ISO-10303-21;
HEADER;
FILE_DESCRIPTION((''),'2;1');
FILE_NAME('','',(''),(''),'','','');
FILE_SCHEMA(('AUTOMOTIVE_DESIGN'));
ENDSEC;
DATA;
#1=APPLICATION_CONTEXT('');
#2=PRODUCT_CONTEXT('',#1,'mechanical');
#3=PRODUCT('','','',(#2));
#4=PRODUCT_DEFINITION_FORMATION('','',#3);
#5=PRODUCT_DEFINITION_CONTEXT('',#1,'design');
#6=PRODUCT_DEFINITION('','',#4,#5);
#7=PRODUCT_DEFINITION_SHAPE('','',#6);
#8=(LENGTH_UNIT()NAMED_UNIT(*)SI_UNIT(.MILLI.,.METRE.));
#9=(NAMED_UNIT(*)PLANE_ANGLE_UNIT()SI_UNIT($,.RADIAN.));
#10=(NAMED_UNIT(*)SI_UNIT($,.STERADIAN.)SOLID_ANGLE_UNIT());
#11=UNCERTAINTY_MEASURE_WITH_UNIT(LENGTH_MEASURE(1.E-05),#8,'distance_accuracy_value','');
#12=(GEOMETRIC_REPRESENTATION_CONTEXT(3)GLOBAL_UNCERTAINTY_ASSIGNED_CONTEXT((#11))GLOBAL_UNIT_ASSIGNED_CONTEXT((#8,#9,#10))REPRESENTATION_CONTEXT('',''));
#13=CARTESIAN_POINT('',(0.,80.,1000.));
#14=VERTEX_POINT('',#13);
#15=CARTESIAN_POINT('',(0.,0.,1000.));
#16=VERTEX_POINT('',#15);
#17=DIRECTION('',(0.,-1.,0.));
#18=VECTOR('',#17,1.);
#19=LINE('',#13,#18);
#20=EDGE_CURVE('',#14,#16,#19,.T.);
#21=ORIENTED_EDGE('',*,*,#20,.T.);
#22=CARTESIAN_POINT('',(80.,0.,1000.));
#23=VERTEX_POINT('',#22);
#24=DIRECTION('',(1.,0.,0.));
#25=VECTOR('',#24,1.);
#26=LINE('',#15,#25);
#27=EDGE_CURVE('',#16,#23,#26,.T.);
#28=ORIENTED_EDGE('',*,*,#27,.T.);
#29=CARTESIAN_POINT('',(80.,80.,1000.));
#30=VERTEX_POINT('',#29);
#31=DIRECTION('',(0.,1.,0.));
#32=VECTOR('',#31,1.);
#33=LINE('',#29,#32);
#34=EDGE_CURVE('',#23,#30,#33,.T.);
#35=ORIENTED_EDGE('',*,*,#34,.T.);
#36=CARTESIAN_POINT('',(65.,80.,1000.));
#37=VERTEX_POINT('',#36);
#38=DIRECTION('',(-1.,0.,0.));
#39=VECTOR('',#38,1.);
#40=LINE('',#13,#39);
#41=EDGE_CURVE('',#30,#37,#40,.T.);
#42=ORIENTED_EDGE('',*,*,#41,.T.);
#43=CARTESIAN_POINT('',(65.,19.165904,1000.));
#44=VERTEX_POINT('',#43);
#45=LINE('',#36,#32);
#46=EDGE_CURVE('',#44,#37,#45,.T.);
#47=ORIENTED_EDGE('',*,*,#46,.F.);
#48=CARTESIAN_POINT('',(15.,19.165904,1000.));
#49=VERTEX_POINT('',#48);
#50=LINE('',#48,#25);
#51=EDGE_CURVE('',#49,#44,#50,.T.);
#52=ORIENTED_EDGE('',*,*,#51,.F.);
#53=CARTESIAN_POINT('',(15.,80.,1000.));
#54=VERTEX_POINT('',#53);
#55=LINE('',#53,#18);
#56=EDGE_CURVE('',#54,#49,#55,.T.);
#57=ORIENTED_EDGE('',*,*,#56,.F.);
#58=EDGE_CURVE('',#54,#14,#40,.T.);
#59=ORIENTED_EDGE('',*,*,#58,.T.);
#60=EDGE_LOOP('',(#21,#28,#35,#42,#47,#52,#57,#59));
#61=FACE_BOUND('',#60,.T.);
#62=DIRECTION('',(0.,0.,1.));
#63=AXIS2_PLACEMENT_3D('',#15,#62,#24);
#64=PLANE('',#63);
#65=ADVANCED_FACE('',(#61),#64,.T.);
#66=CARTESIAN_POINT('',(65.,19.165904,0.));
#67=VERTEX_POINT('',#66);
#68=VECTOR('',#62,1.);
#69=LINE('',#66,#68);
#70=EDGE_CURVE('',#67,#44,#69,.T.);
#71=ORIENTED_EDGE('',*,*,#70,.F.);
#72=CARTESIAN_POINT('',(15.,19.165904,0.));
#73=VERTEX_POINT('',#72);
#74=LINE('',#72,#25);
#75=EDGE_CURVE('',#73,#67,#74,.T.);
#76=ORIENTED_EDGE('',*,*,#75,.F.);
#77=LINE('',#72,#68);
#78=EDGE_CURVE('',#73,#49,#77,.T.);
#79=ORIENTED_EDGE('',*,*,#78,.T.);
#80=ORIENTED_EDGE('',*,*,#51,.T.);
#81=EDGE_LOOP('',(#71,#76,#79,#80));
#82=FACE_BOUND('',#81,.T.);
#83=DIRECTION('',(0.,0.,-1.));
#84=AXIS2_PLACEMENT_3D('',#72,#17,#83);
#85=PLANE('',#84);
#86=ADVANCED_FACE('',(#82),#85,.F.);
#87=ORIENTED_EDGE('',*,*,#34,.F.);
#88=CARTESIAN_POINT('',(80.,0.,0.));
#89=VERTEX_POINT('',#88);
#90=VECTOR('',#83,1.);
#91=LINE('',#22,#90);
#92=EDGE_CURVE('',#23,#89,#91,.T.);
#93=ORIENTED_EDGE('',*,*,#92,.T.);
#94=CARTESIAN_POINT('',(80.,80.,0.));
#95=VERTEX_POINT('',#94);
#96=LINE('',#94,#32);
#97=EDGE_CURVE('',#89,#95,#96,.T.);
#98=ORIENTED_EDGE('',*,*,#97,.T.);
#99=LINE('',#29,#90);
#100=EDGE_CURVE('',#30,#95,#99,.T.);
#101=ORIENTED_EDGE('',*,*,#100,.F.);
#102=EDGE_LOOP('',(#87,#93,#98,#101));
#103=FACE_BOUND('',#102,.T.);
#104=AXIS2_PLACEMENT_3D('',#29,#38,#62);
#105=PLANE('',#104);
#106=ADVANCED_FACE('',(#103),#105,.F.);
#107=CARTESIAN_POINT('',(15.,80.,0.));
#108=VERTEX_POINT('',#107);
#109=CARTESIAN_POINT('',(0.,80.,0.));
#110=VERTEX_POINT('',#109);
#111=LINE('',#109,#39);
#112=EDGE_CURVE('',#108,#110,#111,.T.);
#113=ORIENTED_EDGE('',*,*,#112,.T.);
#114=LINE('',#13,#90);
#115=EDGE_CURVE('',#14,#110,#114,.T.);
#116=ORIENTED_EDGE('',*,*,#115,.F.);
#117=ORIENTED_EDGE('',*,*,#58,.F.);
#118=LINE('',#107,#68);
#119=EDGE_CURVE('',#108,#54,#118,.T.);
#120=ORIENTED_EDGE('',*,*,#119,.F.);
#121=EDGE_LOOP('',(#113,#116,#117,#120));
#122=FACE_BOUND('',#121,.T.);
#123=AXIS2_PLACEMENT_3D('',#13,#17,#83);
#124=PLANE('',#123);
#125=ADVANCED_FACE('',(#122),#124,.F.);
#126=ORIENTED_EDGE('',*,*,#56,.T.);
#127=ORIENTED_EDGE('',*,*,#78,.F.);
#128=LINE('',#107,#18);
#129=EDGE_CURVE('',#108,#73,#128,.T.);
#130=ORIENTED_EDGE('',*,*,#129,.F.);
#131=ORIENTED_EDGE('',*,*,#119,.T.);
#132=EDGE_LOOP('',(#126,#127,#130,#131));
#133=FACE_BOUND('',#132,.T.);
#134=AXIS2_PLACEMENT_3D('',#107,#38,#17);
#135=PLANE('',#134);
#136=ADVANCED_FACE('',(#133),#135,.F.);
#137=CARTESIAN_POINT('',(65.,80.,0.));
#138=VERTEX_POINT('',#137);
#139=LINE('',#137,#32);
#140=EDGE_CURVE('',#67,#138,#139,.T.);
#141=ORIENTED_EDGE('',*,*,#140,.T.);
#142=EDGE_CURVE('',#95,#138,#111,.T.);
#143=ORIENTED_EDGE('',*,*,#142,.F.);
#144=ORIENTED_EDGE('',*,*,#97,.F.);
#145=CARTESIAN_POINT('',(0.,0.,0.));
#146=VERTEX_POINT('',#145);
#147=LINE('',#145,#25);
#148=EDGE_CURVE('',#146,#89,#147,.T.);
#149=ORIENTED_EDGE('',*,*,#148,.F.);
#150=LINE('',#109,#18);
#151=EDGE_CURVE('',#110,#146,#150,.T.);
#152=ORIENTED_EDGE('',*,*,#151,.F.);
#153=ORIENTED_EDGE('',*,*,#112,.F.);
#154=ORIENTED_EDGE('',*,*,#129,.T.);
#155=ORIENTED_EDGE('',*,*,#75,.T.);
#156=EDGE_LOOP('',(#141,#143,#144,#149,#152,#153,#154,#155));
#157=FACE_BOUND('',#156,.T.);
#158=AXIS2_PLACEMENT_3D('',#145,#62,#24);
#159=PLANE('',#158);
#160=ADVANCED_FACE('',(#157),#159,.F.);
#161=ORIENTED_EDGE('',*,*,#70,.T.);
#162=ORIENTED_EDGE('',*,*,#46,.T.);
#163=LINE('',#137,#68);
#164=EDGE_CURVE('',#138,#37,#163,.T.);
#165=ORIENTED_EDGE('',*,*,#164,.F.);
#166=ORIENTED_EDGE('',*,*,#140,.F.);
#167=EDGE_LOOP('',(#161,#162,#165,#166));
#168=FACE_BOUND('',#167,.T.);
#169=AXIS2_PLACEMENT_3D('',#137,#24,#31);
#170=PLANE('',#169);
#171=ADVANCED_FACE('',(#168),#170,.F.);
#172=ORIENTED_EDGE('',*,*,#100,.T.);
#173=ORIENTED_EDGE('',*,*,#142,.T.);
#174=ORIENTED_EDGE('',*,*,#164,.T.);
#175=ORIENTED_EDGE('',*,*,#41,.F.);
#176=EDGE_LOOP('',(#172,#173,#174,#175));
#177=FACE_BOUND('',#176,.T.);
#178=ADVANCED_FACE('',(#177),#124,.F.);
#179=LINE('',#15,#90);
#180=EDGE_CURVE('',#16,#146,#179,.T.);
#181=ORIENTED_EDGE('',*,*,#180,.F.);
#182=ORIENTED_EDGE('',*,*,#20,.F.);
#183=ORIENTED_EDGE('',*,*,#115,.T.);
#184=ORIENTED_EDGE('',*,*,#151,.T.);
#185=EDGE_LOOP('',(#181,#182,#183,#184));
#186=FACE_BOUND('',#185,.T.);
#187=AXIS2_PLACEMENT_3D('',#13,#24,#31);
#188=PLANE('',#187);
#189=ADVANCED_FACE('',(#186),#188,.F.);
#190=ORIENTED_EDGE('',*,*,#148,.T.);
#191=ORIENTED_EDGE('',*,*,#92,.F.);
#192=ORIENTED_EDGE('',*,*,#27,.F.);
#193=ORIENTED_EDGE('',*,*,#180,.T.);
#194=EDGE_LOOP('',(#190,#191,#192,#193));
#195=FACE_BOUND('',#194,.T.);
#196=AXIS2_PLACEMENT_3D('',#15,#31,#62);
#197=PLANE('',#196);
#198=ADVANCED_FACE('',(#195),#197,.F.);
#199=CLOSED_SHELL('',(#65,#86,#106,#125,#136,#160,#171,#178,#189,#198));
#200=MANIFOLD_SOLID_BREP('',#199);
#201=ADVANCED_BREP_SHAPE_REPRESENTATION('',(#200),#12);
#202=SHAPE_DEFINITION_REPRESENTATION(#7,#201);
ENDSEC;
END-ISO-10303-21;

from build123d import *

# Parameters (mm, degrees)
SKETCH2_W           = 80
SKETCH2_H           = 80
BOSS_EXTRUDE1_DEPTH = 1000
SKETCH3_W           = 50
SKETCH3_H           = 60.834095989
CUT_EXTRUDE1_DEPTH  = 1000


with BuildPart() as part:
    # Sketch2 → Boss-Extrude1 (new body)
    with BuildSketch(Plane.XY):
        with Locations((40, 40)):
            Rectangle(SKETCH2_W, SKETCH2_H)
    extrude(amount=BOSS_EXTRUDE1_DEPTH)

    # Sketch3 → Cut-Extrude1 (cut)
    with BuildSketch(Plane.XY.offset(1000)):
        with Locations((40, 49.582952006)):
            Rectangle(SKETCH3_W, SKETCH3_H)
    extrude(amount=-CUT_EXTRUDE1_DEPTH, mode=Mode.SUBTRACT)


solid = part.part
